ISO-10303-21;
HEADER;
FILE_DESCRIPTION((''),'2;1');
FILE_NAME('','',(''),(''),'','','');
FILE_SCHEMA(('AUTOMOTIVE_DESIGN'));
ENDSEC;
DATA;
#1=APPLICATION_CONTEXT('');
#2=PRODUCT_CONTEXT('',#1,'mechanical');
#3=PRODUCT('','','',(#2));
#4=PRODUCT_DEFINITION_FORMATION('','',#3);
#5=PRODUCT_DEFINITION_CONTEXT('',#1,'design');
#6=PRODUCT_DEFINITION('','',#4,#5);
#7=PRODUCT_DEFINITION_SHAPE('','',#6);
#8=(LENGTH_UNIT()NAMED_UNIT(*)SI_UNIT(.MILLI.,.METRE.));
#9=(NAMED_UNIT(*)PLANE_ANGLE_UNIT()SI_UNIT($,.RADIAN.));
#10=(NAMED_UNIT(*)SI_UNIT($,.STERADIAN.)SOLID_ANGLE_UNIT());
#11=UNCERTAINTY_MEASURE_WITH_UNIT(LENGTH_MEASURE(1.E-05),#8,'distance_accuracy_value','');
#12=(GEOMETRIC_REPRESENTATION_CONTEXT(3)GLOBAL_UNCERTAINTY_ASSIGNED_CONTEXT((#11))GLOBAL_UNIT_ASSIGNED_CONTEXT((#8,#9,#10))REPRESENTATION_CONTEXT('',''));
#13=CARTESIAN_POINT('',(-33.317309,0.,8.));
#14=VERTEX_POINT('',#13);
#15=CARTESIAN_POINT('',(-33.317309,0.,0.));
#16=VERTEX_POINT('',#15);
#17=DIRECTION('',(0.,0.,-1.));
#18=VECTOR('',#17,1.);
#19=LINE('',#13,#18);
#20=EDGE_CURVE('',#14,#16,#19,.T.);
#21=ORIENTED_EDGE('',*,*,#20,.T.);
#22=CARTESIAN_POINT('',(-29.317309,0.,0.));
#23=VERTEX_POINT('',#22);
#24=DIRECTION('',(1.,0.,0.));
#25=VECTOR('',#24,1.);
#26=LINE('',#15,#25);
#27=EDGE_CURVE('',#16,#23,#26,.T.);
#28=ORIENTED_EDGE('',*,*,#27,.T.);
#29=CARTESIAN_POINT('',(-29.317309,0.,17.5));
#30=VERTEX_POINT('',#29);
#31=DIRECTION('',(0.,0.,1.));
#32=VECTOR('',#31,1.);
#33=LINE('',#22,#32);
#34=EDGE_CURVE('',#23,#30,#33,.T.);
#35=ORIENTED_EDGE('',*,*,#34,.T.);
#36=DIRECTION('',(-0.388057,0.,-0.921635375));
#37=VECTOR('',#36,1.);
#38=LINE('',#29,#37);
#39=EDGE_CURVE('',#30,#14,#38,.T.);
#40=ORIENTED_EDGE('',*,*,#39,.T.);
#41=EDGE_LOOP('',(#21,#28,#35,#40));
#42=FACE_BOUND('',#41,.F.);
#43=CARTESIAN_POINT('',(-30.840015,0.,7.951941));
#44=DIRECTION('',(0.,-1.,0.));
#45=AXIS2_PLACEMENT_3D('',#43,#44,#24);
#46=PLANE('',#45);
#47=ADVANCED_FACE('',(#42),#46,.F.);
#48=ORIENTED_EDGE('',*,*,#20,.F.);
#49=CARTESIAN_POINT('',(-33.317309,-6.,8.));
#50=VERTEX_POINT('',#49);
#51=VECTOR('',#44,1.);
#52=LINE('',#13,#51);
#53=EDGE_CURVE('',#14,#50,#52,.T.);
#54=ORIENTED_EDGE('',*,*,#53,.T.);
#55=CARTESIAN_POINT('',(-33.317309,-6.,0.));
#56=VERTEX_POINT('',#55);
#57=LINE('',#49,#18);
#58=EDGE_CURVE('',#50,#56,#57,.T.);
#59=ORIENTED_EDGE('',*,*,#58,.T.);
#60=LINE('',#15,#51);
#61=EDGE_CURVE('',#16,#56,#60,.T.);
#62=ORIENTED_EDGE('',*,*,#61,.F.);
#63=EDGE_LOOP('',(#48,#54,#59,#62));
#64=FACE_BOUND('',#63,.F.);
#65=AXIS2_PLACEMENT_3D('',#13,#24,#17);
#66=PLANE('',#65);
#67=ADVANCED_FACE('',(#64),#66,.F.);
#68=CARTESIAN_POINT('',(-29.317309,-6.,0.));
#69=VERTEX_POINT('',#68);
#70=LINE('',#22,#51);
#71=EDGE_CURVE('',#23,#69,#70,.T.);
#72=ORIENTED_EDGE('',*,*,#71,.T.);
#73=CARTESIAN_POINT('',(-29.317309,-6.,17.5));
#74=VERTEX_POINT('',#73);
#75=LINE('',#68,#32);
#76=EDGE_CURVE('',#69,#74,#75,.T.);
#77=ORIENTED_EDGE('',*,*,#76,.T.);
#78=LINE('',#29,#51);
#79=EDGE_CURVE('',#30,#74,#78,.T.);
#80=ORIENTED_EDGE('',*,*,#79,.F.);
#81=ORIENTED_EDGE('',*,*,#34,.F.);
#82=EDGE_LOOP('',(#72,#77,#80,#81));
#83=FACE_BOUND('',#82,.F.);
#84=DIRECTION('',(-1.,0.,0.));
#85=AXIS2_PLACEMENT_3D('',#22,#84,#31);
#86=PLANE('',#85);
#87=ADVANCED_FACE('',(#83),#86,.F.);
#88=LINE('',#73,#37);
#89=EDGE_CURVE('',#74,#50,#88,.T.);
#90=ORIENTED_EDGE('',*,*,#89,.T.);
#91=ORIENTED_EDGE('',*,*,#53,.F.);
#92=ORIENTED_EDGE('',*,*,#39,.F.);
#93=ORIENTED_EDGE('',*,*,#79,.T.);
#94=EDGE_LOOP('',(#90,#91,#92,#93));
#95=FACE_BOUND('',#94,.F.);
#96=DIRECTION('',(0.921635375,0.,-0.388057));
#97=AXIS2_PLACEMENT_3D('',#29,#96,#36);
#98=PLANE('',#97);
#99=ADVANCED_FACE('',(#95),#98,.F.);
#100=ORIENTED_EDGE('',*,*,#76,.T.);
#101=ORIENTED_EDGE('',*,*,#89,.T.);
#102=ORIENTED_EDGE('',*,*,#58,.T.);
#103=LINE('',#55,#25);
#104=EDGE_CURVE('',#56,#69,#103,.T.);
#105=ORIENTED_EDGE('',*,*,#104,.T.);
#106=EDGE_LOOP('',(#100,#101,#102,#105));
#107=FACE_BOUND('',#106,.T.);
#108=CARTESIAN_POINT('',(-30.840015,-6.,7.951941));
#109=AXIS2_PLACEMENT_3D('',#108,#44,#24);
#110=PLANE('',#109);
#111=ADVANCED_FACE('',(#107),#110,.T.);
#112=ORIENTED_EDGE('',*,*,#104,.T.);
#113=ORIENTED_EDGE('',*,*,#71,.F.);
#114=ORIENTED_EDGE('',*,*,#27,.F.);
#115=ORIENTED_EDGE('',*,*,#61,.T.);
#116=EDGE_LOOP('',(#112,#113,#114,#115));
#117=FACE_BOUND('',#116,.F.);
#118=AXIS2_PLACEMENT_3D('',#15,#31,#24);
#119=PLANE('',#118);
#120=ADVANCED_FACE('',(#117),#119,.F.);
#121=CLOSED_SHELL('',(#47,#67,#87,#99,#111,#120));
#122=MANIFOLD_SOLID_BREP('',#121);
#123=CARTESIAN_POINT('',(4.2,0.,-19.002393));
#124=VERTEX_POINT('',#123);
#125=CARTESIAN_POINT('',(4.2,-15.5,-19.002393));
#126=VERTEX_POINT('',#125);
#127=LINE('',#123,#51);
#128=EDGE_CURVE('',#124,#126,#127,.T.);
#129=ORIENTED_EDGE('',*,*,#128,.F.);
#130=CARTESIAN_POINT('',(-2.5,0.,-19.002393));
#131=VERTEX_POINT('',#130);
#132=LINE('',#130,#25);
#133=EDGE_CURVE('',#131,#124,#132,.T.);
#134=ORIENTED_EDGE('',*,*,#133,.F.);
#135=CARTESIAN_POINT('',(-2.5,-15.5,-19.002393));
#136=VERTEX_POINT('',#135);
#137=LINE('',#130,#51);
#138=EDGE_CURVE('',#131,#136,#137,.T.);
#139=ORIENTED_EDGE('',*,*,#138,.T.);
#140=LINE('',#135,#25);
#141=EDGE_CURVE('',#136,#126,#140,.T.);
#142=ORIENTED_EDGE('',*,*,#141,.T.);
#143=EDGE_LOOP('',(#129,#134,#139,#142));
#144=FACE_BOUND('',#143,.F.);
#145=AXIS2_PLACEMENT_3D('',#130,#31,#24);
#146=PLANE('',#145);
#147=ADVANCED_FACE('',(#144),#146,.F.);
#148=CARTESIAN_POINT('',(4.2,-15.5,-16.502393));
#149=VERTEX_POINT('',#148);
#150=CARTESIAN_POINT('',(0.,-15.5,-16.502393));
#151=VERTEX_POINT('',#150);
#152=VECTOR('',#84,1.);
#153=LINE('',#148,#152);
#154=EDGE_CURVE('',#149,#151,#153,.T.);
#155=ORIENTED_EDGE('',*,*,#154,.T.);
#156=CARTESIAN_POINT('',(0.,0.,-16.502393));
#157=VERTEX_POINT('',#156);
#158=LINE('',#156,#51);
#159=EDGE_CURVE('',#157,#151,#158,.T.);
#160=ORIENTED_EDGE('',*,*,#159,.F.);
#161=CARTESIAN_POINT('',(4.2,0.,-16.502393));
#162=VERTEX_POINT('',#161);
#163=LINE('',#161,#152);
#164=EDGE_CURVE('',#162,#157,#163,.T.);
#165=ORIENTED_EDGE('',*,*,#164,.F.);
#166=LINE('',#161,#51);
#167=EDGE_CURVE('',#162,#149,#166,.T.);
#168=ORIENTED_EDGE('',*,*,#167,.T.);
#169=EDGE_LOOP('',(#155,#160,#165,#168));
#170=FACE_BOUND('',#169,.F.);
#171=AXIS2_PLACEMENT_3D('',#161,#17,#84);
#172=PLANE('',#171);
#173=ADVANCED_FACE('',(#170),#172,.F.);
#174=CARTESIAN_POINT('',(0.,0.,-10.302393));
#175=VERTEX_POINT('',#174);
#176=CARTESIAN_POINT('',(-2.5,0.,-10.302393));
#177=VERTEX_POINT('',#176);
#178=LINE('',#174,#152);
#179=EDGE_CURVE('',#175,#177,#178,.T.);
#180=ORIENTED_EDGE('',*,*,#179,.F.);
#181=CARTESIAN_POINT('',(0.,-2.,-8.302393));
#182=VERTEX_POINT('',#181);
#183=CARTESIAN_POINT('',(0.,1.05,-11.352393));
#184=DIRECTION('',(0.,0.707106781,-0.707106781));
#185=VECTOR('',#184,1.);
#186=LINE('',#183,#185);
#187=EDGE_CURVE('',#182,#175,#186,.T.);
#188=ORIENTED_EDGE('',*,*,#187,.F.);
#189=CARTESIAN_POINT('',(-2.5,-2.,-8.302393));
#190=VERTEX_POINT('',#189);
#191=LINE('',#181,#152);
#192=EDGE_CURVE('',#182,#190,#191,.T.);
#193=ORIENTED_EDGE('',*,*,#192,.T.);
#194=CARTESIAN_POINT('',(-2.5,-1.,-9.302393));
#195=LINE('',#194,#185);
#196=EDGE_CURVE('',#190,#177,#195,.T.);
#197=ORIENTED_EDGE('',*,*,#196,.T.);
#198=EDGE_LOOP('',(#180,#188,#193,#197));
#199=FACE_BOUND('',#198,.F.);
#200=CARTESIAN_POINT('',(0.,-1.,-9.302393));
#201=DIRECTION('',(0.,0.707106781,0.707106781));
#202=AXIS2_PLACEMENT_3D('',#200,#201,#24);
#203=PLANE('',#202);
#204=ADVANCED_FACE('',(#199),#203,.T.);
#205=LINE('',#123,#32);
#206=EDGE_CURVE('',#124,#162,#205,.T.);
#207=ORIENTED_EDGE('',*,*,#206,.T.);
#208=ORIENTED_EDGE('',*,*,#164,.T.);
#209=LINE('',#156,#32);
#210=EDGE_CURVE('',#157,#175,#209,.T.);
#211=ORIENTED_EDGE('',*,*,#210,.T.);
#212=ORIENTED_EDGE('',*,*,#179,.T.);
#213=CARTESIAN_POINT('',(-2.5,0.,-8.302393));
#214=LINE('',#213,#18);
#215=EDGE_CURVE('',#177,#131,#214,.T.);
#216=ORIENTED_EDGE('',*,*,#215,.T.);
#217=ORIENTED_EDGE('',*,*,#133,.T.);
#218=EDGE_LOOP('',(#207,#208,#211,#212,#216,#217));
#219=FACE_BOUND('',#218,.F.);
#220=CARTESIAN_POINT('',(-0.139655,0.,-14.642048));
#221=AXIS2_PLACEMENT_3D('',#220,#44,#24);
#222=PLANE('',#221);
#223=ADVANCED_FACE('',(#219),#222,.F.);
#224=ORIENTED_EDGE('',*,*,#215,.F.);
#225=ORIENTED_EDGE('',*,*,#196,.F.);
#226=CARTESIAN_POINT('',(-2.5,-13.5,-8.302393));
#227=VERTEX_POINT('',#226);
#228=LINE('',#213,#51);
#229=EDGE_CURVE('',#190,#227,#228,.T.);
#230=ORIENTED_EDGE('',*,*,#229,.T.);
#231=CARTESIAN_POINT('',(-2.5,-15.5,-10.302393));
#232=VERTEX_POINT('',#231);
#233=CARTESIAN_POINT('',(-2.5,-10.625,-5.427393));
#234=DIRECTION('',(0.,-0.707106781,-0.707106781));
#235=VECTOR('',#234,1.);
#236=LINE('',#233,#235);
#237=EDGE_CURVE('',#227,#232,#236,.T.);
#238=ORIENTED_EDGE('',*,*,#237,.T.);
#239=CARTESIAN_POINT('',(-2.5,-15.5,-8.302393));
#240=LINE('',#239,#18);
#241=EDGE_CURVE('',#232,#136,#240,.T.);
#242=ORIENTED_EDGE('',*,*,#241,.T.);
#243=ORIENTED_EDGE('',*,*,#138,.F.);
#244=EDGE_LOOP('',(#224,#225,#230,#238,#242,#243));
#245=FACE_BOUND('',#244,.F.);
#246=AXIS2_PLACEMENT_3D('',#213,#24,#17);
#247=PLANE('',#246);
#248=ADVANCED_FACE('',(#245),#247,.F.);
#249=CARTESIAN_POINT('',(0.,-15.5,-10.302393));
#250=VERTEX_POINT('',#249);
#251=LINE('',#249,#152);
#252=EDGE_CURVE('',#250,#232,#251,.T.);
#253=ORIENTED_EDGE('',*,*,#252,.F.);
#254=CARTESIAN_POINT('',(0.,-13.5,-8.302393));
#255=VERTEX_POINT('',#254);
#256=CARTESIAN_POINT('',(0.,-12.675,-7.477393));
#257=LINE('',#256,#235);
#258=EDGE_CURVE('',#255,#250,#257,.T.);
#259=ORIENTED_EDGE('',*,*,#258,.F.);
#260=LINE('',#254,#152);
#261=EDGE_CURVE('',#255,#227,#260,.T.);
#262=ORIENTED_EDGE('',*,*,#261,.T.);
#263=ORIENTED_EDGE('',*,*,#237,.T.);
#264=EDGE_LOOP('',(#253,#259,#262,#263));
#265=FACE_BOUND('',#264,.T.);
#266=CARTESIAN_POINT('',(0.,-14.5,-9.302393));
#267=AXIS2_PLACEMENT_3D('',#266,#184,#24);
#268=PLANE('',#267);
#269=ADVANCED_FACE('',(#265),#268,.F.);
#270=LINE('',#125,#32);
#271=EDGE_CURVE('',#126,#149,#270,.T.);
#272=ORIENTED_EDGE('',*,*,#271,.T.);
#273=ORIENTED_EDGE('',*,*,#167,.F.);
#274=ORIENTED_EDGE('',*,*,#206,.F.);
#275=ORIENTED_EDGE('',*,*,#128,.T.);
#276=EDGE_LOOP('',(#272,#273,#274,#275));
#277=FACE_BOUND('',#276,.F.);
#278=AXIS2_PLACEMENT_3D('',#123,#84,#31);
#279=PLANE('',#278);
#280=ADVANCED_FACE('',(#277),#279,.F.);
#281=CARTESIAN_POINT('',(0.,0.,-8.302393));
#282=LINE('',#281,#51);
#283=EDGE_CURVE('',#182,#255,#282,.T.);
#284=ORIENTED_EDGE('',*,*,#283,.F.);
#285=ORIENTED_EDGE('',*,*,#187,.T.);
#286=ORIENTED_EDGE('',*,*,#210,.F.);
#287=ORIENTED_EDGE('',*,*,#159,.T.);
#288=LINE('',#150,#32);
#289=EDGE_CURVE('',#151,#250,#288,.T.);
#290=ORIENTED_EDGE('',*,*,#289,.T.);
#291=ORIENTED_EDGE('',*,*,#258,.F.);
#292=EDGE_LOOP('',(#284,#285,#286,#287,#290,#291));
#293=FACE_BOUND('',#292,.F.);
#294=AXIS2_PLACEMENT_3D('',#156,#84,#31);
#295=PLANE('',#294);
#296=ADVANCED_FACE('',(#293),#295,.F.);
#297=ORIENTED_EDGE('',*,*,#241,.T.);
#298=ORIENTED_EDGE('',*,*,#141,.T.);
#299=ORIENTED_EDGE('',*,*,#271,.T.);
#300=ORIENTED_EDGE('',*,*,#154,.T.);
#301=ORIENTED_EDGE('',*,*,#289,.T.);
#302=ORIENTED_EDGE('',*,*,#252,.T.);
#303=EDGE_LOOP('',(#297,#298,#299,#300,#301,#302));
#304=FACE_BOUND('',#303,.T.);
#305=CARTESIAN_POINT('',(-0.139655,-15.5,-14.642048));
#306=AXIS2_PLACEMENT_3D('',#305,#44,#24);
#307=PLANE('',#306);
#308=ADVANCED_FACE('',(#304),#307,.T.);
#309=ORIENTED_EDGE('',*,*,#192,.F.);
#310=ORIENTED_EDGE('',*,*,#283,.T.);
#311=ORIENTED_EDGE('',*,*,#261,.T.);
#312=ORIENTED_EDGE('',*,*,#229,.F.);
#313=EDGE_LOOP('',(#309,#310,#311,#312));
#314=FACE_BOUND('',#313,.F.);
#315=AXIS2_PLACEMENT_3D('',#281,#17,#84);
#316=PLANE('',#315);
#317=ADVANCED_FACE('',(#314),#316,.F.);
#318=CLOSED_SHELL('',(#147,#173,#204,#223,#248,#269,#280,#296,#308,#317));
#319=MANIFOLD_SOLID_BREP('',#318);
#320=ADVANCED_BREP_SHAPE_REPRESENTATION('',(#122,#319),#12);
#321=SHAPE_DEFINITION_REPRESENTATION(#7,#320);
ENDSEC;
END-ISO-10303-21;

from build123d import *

# Parameters (mm, degrees)
F1_DEPTH = 15.5
F2_SIZE  = 2
F3_SIZE  = 2
F5_DEPTH = 6


with BuildPart() as f1:
    # F0 (on Front) → F1 (new body)
    with BuildSketch(Plane.XZ):
        Polygon((0, -8.302393), (-2.5, -8.302393), (-2.5, -19.002393), (4.2, -19.002393), (4.2, -16.502393), (0, -16.502393), align=None)
    extrude(amount=F1_DEPTH)

    # F2
    f2_edges = [f1.edges().sort_by_distance(p)[0] for p in [
        (-1.25, -15.5, -8.302393),
    ]]
    chamfer(f2_edges, length=F2_SIZE)

    # F3
    f3_edges = [f1.edges().sort_by_distance(p)[0] for p in [
        (-1.25, 0, -8.302393),
    ]]
    chamfer(f3_edges, length=F3_SIZE)


with BuildPart() as f5:
    # F4 (on Front) → F5 (new body)
    with BuildSketch(Plane.XZ):
        Polygon((-33.317309, 0), (-29.317309, 0), (-29.317309, 17.5), (-33.317309, 8), align=None)
    extrude(amount=F5_DEPTH)


solid = Compound([f1.part, f5.part])
